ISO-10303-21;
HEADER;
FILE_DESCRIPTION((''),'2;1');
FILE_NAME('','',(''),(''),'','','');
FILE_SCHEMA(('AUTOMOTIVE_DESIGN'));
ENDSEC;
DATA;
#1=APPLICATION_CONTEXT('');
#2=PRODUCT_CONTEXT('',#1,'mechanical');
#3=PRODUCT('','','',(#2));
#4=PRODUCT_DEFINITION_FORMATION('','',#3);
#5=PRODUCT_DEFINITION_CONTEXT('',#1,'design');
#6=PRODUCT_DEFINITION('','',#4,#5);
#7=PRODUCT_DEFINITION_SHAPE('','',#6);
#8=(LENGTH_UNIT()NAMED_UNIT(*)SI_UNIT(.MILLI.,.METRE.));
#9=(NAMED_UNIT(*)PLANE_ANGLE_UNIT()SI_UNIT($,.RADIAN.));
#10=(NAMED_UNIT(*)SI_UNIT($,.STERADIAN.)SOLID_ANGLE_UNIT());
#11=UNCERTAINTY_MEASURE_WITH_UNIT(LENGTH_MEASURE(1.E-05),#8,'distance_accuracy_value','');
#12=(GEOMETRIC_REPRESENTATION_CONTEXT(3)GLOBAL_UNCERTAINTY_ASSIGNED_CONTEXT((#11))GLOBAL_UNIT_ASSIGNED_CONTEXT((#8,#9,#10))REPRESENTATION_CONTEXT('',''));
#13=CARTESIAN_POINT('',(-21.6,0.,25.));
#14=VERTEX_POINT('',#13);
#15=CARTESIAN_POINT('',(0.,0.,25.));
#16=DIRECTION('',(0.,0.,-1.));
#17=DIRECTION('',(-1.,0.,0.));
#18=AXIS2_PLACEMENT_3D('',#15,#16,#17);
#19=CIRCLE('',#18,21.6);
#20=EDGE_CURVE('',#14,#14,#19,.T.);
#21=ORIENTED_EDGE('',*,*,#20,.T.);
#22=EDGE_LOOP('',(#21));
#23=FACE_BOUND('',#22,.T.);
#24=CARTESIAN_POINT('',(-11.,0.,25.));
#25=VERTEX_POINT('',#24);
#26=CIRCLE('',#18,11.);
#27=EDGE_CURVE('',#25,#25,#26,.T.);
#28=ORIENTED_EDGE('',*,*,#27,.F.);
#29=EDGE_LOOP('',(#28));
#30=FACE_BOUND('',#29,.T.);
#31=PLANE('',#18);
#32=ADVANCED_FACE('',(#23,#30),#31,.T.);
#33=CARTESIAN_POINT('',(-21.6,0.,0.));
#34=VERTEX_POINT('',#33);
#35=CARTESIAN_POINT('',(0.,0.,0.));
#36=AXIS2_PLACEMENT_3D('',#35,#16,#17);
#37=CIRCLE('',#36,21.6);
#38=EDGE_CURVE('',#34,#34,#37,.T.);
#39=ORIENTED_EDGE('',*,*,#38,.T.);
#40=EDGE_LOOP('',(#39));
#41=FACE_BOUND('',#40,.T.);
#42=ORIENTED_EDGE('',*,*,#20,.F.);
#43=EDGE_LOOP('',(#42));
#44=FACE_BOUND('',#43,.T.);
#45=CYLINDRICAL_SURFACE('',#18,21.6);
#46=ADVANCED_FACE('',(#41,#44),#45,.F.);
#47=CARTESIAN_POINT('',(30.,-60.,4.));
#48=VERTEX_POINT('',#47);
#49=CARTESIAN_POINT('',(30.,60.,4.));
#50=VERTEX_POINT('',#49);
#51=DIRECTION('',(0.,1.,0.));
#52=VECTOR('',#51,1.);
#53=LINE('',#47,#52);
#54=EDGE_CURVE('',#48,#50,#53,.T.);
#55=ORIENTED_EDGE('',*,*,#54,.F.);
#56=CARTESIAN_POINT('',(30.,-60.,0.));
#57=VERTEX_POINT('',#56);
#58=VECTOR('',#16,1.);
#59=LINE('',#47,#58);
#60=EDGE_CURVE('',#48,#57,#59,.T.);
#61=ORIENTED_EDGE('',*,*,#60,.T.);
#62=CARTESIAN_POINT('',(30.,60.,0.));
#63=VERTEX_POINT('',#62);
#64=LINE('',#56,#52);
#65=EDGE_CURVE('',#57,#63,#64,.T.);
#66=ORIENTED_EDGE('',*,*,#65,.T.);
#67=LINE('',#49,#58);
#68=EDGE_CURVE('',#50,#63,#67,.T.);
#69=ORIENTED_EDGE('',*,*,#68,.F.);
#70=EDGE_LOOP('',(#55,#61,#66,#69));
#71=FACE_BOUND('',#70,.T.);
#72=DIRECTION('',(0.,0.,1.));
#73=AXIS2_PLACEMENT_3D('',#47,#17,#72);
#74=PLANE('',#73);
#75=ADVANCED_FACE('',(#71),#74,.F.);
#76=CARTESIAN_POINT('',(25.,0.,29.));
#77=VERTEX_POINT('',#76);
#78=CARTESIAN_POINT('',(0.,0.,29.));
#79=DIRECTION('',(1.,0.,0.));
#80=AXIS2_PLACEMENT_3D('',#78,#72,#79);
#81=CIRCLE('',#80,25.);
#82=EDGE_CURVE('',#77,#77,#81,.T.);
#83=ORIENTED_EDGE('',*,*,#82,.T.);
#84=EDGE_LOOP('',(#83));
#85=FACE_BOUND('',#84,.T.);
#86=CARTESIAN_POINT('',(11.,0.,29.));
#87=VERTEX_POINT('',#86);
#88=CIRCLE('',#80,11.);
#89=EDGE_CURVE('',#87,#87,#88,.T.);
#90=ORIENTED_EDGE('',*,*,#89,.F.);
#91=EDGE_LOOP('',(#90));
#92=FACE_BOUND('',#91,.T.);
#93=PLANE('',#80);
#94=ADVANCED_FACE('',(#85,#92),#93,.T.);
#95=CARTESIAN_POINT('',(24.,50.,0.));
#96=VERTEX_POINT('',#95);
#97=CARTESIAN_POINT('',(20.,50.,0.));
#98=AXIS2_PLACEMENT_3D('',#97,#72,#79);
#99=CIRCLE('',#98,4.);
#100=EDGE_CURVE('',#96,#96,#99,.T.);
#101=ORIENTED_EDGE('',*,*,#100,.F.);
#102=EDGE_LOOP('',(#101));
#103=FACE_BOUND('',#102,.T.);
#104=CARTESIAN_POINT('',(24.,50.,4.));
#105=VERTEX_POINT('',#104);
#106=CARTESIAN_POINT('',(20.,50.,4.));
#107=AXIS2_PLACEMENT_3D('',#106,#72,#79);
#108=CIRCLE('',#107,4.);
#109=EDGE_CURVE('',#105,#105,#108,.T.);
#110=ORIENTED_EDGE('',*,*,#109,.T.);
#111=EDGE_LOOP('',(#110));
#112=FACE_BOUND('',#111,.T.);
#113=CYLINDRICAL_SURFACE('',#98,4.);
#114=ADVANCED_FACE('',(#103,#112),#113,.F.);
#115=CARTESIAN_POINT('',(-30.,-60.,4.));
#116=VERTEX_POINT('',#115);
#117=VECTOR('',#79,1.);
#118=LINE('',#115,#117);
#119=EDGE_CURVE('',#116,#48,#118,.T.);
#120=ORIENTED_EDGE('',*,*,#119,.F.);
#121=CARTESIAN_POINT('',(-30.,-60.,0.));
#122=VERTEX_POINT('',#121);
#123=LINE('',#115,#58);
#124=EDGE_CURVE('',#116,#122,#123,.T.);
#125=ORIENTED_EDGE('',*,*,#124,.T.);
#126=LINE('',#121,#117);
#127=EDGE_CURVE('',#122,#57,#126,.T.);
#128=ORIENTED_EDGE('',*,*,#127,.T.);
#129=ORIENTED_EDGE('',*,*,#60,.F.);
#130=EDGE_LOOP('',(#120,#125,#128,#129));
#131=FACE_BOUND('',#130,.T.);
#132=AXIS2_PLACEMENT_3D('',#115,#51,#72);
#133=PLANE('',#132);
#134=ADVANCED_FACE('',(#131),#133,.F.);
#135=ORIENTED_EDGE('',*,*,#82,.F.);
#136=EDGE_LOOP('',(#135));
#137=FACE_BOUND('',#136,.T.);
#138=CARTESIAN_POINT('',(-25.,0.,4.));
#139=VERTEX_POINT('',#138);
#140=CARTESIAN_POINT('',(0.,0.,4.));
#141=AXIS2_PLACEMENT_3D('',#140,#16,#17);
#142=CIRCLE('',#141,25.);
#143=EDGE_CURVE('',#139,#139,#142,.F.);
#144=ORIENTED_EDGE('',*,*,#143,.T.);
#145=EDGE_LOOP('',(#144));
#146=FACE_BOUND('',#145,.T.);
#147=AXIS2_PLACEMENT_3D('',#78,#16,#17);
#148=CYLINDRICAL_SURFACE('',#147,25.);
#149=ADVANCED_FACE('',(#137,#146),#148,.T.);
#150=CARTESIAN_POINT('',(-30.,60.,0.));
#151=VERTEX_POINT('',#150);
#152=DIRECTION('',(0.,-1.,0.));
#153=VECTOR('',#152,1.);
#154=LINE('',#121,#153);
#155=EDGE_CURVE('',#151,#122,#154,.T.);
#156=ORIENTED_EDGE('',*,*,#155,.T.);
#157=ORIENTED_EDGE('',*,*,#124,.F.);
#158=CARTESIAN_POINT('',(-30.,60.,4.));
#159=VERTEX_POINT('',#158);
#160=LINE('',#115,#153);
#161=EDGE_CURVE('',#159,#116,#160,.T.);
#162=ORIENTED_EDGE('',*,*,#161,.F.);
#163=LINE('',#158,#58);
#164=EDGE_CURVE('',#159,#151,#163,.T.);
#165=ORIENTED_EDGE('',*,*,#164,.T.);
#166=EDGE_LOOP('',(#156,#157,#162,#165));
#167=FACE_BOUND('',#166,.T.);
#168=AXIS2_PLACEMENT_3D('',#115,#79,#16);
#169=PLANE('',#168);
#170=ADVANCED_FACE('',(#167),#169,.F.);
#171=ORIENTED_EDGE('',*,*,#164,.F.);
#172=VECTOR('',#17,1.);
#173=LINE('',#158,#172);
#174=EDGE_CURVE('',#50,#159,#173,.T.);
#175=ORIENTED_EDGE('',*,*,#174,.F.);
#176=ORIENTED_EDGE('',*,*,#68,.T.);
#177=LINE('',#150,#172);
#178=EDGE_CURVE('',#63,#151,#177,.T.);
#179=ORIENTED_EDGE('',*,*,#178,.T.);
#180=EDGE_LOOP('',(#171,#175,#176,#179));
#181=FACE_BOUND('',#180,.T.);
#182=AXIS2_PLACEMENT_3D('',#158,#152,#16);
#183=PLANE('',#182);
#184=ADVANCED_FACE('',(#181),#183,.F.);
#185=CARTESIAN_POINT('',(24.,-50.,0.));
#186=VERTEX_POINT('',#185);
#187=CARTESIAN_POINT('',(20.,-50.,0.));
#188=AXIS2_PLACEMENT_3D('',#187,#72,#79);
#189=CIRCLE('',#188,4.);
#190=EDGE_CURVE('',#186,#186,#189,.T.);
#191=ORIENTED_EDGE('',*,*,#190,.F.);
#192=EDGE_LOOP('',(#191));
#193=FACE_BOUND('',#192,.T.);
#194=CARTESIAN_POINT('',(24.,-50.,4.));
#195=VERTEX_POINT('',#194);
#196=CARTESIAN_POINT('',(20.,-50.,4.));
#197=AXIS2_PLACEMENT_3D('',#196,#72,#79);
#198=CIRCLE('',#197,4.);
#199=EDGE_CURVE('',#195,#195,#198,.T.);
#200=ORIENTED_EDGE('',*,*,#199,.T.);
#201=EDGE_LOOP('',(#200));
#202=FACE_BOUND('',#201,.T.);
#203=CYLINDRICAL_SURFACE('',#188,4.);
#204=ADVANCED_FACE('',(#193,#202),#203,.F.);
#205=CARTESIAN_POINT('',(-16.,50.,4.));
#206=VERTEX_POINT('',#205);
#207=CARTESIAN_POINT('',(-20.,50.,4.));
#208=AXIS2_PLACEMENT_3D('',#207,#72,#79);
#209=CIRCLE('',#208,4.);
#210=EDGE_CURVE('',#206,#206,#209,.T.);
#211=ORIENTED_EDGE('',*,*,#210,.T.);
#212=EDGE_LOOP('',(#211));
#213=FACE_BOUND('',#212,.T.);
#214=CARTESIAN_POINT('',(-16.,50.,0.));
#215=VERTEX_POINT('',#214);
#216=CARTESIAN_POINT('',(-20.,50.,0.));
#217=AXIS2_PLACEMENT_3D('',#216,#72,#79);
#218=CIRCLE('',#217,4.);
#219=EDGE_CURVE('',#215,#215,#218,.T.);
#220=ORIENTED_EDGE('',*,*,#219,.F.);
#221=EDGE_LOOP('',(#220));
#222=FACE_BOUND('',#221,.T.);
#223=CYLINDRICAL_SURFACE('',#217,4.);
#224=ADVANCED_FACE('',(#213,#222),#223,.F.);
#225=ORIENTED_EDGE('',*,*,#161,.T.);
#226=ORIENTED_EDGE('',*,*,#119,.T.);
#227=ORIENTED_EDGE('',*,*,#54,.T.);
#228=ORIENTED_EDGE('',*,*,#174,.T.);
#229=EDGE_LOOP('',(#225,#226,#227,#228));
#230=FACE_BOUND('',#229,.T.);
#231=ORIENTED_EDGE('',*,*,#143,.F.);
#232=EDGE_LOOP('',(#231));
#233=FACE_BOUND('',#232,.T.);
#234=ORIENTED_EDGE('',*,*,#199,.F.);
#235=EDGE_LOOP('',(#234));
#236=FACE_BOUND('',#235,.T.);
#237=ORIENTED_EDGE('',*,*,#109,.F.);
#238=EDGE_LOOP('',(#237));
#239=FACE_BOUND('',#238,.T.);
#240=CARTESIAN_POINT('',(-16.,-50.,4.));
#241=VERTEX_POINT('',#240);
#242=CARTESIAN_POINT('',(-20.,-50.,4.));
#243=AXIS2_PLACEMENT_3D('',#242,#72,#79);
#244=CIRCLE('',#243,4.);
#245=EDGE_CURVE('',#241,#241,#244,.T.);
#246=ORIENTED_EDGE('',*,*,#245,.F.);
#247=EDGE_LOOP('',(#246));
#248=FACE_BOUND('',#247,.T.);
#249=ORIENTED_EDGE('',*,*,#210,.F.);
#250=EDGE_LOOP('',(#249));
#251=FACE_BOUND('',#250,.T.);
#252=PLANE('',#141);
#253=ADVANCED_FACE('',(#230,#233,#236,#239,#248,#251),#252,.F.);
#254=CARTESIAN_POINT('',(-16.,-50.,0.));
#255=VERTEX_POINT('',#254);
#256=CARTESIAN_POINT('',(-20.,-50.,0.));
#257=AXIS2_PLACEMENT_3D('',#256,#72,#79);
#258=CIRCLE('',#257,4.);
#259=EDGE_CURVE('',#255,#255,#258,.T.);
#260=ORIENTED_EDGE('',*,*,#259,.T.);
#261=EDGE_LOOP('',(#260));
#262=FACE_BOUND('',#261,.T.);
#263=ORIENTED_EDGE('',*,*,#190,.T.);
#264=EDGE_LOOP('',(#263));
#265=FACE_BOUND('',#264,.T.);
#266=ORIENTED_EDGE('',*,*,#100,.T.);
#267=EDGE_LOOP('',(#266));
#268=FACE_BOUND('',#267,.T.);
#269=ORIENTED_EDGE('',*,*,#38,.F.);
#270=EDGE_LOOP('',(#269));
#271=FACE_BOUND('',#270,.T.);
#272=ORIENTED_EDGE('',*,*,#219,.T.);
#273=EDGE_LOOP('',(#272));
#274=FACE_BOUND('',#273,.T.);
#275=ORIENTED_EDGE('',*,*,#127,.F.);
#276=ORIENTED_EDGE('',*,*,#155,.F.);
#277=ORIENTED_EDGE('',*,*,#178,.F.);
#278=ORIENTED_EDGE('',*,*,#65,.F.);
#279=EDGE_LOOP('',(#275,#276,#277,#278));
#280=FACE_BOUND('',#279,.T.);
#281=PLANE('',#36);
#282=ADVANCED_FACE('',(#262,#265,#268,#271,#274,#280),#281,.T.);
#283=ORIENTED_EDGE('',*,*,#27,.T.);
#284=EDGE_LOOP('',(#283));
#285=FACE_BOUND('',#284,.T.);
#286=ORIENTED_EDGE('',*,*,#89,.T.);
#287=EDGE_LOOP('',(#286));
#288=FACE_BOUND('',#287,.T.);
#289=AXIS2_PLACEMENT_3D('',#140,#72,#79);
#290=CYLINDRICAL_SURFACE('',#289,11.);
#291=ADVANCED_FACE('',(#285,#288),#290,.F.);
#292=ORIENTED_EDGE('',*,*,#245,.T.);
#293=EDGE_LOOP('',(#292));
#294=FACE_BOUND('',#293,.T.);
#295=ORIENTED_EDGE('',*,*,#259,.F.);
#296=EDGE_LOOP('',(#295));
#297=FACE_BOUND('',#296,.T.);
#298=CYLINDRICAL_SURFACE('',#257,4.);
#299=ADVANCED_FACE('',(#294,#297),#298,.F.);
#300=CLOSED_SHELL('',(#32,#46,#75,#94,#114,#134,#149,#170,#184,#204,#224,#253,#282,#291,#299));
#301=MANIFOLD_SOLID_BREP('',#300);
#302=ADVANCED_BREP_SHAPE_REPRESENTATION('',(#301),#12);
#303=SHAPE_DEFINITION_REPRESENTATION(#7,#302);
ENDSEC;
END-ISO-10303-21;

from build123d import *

# Parameters (mm, degrees)
SKETCH1_W           = 60
SKETCH1_H           = 120
BOSS_EXTRUDE1_DEPTH = 4
SKETCH2_R           = 4
CUT_EXTRUDE1_DEPTH  = 4
SKETCH3_R           = 25
BOSS_EXTRUDE2_DEPTH = 25
SKETCH4_R           = 21.6
CUT_EXTRUDE2_DEPTH  = 25
SKETCH5_R           = 11
CUT_EXTRUDE3_DEPTH  = 25


with BuildPart() as part:
    # Sketch1 → Boss-Extrude1 (new body)
    with BuildSketch(Plane.XY):
        Rectangle(SKETCH1_W, SKETCH1_H)
    extrude(amount=BOSS_EXTRUDE1_DEPTH)

    # Sketch2 → Cut-Extrude1 (cut)
    with BuildSketch(Plane.XY.offset(4)):
        with Locations((-20, 50)):
            Circle(SKETCH2_R)
        with Locations((20, 50)):
            Circle(SKETCH2_R)
        with Locations((20, -50)):
            Circle(SKETCH2_R)
        with Locations((-20, -50)):
            Circle(SKETCH2_R)
    extrude(amount=-CUT_EXTRUDE1_DEPTH, mode=Mode.SUBTRACT)

    # Sketch3 → Boss-Extrude2 (add)
    with BuildSketch(Plane.XY.offset(4)):
        Circle(SKETCH3_R)
    extrude(amount=BOSS_EXTRUDE2_DEPTH)

    # Sketch4 → Cut-Extrude2 (cut)
    with BuildSketch(Plane(origin=(0, 0, 0), x_dir=(-1, 0, 0), z_dir=(0, 0, -1))):
        Circle(SKETCH4_R)
    extrude(amount=-CUT_EXTRUDE2_DEPTH, mode=Mode.SUBTRACT)

    # Sketch5 → Cut-Extrude3 (cut)
    with BuildSketch(Plane.XY.offset(29)):
        Circle(SKETCH5_R)
    extrude(amount=-CUT_EXTRUDE3_DEPTH, mode=Mode.SUBTRACT)


solid = part.part
